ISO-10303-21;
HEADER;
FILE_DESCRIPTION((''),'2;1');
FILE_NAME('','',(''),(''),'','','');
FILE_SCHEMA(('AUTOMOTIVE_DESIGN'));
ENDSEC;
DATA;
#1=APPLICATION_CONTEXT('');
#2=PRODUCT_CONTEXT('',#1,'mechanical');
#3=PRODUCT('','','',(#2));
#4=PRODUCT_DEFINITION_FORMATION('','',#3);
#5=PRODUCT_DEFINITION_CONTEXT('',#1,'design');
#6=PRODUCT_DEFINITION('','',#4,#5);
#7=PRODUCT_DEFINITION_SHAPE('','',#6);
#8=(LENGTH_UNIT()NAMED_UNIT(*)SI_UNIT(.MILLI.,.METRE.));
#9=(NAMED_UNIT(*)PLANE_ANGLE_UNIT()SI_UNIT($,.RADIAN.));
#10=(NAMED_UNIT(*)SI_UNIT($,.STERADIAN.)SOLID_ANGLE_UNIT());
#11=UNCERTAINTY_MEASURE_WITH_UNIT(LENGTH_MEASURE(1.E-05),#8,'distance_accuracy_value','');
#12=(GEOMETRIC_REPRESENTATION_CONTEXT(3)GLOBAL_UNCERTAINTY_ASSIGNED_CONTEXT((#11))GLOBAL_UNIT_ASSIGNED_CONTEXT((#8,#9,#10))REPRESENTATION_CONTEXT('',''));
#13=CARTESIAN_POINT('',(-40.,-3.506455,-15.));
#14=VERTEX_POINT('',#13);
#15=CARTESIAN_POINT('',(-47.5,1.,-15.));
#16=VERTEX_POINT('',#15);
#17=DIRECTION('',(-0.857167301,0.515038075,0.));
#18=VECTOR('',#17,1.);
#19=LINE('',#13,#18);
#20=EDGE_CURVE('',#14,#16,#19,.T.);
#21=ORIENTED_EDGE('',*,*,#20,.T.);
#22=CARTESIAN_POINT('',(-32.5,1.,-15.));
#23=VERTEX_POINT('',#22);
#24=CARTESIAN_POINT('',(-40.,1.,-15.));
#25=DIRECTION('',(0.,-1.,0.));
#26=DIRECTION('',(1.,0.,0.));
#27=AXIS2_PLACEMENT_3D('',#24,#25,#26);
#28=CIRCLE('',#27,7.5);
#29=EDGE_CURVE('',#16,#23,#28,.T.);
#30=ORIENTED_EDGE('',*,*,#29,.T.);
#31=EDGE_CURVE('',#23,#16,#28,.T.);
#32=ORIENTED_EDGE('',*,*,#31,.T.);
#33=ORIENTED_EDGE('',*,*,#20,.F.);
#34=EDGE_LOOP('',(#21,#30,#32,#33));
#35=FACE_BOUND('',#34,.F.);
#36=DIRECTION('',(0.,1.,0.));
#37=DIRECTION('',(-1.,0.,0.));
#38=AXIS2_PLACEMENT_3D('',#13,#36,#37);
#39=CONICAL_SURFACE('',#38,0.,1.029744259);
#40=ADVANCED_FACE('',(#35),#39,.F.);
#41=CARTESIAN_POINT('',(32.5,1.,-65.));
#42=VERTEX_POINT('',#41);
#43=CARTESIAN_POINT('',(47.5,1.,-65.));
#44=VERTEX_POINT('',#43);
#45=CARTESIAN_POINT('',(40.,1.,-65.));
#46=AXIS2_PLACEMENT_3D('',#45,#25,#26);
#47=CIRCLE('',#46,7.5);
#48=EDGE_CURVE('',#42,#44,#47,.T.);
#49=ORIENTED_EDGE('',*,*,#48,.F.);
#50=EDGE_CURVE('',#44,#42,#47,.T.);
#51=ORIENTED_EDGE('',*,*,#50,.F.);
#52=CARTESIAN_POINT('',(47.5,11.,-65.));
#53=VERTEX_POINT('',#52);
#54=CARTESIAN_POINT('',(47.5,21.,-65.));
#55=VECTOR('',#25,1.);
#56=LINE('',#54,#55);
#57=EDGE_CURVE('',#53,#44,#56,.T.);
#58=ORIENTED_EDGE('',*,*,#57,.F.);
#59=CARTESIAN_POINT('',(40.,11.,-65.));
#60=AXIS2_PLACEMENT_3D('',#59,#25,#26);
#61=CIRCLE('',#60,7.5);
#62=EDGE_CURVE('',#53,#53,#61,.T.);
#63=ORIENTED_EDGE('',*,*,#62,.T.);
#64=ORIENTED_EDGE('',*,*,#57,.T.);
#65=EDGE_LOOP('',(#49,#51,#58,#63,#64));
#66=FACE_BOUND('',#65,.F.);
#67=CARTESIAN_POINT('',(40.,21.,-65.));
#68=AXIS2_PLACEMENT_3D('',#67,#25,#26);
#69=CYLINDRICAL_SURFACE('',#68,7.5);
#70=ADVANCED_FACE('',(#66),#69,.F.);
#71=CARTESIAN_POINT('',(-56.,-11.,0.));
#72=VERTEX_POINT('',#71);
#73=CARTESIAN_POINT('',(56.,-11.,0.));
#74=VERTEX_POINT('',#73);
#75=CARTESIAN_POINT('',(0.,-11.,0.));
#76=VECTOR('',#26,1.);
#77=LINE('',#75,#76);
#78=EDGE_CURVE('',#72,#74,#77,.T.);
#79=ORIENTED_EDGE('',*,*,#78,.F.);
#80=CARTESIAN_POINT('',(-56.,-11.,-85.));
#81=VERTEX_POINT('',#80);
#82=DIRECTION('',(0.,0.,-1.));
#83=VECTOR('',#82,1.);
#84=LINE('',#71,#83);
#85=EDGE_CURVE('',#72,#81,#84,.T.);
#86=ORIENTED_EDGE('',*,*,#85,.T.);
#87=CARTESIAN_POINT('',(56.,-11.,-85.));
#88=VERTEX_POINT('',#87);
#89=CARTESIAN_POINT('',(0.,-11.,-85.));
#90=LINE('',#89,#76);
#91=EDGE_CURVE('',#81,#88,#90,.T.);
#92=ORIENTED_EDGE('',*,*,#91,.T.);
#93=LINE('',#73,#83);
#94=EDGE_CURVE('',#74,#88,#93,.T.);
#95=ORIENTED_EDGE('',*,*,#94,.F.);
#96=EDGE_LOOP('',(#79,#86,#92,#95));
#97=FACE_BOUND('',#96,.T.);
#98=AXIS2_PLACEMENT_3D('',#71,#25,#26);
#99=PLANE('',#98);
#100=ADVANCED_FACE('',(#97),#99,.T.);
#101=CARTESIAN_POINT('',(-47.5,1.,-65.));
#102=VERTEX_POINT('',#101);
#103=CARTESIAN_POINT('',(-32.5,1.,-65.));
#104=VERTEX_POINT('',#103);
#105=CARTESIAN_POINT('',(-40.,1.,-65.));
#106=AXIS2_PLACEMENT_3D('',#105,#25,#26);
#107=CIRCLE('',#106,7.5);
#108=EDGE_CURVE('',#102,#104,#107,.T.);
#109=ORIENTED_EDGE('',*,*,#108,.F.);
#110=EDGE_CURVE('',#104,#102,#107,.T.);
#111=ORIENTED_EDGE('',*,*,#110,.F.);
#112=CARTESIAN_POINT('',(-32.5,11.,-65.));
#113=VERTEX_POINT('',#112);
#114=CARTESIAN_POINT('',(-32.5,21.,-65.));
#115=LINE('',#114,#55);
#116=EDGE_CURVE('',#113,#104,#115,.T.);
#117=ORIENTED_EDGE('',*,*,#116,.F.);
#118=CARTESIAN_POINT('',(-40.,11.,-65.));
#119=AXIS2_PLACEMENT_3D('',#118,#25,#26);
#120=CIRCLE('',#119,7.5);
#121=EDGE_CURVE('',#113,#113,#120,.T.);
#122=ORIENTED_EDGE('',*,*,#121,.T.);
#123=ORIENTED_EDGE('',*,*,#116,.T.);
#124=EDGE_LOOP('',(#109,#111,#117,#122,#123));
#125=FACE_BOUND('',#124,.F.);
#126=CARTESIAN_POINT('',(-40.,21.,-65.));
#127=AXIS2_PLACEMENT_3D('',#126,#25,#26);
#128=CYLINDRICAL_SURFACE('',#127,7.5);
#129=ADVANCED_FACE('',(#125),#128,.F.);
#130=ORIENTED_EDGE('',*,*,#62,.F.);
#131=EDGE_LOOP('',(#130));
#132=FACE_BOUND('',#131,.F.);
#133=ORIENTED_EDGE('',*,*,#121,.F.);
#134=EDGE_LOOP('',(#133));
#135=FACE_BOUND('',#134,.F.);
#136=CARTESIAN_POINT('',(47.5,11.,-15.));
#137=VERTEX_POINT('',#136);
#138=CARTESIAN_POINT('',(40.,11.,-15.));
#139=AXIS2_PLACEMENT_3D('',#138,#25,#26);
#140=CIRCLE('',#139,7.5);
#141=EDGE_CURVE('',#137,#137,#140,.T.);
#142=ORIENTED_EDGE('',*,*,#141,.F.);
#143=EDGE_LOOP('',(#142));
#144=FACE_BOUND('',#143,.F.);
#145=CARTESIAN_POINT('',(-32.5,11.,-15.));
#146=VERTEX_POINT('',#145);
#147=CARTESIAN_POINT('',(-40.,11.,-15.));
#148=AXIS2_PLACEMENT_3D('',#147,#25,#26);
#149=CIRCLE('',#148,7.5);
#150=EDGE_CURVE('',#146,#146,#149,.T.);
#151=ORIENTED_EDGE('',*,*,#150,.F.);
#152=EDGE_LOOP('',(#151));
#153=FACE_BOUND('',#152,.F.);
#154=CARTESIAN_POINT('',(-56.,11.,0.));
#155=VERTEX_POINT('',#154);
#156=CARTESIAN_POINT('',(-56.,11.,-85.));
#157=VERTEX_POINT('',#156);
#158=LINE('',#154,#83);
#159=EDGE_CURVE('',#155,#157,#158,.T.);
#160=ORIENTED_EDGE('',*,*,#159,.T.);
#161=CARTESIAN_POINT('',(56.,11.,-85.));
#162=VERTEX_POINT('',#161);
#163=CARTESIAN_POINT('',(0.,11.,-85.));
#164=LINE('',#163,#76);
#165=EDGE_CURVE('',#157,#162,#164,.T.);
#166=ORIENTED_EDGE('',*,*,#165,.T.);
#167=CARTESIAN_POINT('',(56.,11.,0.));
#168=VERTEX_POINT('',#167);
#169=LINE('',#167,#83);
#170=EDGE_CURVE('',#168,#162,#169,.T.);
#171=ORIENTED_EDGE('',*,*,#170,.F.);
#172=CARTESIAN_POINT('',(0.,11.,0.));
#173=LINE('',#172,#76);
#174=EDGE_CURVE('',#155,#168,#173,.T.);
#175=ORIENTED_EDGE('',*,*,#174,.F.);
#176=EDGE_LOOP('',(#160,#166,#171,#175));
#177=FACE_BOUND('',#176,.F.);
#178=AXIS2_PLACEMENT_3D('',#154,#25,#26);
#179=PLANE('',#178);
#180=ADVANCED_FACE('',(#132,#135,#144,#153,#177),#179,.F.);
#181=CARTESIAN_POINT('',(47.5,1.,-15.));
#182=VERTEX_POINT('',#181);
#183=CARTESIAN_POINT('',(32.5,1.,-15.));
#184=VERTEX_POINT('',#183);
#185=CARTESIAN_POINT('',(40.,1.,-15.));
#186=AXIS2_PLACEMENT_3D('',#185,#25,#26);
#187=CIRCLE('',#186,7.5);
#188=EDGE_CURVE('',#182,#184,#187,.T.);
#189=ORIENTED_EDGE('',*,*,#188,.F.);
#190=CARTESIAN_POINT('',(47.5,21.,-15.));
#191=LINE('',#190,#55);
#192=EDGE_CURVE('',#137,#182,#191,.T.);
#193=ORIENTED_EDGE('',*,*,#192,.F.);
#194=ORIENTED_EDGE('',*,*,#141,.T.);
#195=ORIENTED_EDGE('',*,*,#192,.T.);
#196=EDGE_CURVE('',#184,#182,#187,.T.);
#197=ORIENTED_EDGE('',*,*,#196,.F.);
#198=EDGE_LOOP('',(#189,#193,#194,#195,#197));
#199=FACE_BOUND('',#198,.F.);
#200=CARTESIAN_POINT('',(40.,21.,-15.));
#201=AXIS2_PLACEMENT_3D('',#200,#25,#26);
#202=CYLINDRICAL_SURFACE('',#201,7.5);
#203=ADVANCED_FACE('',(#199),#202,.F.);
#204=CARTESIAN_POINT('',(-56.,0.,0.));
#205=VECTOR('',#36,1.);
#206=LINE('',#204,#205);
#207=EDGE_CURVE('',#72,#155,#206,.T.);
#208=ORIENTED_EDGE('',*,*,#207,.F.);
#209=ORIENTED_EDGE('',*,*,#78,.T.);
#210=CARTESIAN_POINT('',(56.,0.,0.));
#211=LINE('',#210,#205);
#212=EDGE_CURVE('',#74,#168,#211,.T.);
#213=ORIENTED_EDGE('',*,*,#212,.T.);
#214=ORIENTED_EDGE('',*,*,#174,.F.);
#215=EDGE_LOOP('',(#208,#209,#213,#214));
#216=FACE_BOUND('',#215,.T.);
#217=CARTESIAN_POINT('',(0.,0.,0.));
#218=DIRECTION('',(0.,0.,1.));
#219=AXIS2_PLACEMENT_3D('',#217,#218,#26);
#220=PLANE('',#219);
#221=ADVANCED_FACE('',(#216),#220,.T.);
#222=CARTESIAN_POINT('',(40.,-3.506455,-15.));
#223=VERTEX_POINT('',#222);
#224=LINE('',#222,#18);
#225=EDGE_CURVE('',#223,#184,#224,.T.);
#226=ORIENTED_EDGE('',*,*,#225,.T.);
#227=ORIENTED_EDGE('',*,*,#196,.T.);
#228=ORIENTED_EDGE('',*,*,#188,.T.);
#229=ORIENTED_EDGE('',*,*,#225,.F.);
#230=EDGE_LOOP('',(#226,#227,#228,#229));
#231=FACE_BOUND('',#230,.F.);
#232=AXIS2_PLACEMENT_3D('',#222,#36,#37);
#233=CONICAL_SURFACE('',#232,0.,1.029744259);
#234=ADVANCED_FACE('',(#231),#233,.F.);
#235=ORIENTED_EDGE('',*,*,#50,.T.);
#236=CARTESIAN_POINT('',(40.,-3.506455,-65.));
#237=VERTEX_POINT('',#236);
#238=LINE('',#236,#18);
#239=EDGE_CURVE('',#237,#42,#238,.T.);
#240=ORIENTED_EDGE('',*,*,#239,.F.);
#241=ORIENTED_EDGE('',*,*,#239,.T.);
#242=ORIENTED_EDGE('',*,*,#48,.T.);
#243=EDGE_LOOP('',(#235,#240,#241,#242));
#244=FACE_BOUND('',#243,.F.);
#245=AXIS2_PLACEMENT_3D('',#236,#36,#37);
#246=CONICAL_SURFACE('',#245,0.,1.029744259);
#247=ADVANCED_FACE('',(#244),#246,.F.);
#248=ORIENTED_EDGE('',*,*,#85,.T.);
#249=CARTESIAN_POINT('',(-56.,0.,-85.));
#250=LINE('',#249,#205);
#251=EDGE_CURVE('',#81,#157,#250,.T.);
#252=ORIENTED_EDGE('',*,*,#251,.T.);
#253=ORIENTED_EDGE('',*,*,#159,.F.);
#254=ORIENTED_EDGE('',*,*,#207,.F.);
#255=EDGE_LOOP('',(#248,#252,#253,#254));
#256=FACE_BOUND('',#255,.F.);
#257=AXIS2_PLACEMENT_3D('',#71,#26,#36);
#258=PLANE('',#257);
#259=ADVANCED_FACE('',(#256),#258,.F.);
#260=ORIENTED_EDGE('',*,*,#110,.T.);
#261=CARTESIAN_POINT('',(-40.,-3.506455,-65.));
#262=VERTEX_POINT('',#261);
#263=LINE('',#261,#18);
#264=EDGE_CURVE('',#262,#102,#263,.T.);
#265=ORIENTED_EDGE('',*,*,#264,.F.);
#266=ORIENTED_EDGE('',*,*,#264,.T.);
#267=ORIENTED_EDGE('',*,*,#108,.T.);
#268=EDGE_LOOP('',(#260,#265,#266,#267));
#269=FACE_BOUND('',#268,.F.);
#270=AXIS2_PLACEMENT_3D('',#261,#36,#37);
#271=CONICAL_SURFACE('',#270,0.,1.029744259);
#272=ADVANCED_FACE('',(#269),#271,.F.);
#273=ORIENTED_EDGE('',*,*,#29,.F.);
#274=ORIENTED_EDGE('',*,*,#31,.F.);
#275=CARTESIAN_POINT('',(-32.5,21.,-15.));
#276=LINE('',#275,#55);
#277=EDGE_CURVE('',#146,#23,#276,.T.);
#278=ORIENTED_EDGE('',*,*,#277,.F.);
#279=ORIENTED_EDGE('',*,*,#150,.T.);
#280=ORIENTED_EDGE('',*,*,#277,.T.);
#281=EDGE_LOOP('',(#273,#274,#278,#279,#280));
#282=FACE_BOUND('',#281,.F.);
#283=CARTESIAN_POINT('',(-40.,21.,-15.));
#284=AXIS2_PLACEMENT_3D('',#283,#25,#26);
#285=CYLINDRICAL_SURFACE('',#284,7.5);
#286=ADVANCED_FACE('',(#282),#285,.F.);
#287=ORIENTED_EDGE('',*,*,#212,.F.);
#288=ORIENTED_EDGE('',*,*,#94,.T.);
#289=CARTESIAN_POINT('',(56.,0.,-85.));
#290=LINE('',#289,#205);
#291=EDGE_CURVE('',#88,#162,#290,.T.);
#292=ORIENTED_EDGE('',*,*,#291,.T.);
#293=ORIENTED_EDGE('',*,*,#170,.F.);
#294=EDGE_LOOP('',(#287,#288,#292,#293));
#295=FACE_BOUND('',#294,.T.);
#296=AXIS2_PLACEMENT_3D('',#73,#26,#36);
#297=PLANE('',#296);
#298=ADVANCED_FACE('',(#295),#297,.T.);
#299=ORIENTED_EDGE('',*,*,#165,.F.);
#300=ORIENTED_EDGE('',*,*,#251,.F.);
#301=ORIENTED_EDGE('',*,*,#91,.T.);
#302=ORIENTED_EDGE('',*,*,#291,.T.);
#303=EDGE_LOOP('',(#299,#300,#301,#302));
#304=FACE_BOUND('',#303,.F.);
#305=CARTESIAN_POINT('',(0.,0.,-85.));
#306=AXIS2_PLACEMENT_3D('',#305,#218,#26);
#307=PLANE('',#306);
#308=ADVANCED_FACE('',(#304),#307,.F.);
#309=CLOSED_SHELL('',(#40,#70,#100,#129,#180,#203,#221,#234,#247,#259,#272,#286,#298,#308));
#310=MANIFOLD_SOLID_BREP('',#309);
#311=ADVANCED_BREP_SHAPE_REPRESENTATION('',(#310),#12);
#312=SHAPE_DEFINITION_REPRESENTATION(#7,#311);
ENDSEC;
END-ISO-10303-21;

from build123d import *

# Parameters (mm, degrees)
F0_W     = 112
F0_H     = 22
F1_DEPTH = 85
F4_D     = 15
F4_DEPTH = 10
F4_TIP   = 4.5064546427


with BuildPart() as f1:
    # F0 (on Top) → F1 (new body)
    with BuildSketch(Plane.XY):
        Rectangle(F0_W, F0_H)
    extrude(amount=-F1_DEPTH)

    # F4
    with Locations(Plane(origin=(0, 11, 0), x_dir=(-1, 0, 0), z_dir=(0, 1, 0))):
        with Locations((-40, -15), (40, -15), (40, -65), (-40, -65)):
            Hole(F4_D / 2, depth=F4_DEPTH)
            with Locations((0, 0, -(F4_DEPTH + F4_TIP / 2))):  # 118° drill point
                Cone(0, F4_D / 2, F4_TIP, mode=Mode.SUBTRACT)


solid = f1.part
